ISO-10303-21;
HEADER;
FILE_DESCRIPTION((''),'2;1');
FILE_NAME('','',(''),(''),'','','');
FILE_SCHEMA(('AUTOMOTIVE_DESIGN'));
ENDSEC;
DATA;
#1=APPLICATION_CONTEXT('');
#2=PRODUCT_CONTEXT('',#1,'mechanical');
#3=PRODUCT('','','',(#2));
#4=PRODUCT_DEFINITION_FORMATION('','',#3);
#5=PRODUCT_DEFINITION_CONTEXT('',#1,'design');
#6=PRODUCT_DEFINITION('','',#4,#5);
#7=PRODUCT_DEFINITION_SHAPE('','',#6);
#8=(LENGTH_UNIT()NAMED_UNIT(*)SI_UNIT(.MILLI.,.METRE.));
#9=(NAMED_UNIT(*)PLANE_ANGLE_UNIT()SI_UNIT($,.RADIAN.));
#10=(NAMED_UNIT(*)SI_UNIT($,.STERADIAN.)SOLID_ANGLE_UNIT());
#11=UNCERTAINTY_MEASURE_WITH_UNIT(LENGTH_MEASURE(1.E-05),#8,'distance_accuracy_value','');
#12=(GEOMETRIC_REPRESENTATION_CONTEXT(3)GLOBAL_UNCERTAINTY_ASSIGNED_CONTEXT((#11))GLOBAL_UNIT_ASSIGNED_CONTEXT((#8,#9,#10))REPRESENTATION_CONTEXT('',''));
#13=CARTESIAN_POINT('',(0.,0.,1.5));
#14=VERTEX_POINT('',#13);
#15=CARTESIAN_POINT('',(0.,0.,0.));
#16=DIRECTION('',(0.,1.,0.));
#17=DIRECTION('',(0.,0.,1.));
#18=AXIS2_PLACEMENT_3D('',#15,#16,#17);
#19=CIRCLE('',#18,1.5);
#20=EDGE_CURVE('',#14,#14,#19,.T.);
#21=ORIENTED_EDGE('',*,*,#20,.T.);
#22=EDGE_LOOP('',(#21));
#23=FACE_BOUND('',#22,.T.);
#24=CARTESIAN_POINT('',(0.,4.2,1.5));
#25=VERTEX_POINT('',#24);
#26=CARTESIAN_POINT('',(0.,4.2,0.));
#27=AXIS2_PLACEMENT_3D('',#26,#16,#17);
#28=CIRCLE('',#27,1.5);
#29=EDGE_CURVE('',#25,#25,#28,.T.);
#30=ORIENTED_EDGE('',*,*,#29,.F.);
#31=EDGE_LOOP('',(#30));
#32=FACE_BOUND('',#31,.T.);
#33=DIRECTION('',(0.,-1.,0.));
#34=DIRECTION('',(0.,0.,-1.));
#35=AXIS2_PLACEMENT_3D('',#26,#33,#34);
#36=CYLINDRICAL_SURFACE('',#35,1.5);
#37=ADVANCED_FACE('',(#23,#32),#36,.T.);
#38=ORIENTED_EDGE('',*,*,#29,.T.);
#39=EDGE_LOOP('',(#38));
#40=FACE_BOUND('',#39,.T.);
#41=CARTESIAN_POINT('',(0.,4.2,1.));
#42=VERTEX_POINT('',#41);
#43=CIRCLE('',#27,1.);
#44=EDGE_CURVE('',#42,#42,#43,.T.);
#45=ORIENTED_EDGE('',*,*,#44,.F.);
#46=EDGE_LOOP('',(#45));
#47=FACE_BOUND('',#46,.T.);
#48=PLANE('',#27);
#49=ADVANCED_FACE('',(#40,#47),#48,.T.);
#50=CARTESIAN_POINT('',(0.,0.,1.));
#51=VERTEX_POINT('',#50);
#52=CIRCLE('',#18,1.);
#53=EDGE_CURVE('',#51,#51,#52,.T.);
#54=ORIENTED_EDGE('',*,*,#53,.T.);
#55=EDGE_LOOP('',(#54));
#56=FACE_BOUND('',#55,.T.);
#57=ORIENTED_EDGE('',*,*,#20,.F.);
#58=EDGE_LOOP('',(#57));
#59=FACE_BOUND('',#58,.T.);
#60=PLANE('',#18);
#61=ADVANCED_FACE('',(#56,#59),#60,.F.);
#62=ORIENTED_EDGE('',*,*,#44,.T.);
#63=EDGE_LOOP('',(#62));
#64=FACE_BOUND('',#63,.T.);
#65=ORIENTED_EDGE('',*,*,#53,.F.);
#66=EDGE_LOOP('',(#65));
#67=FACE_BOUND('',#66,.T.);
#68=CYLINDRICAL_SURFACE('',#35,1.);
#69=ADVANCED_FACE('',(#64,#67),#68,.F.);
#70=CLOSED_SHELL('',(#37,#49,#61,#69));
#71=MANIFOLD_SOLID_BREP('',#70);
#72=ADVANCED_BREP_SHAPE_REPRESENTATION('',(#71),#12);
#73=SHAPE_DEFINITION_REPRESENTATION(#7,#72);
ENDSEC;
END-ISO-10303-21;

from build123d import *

# Parameters (mm, degrees)
SKETCH_1_R      = 1.5
SKETCH_1_R_2    = 1
EXTRUDE_1_DEPTH = 4.2


with BuildPart() as part:
    # Эскиз1 → Бобышка-Вытянуть1 (new body)
    with BuildSketch(Plane(origin=(0, 0, 0), x_dir=(1, 0, 0), z_dir=(0, 1, 0))):
        with Locations(Location((0, 0, 0), (0, 0, 270))):
            Circle(SKETCH_1_R)
        with Locations(Location((0, 0, 0), (0, 0, 270))):
            Circle(SKETCH_1_R_2, mode=Mode.SUBTRACT)
    extrude(amount=EXTRUDE_1_DEPTH)


solid = part.part
